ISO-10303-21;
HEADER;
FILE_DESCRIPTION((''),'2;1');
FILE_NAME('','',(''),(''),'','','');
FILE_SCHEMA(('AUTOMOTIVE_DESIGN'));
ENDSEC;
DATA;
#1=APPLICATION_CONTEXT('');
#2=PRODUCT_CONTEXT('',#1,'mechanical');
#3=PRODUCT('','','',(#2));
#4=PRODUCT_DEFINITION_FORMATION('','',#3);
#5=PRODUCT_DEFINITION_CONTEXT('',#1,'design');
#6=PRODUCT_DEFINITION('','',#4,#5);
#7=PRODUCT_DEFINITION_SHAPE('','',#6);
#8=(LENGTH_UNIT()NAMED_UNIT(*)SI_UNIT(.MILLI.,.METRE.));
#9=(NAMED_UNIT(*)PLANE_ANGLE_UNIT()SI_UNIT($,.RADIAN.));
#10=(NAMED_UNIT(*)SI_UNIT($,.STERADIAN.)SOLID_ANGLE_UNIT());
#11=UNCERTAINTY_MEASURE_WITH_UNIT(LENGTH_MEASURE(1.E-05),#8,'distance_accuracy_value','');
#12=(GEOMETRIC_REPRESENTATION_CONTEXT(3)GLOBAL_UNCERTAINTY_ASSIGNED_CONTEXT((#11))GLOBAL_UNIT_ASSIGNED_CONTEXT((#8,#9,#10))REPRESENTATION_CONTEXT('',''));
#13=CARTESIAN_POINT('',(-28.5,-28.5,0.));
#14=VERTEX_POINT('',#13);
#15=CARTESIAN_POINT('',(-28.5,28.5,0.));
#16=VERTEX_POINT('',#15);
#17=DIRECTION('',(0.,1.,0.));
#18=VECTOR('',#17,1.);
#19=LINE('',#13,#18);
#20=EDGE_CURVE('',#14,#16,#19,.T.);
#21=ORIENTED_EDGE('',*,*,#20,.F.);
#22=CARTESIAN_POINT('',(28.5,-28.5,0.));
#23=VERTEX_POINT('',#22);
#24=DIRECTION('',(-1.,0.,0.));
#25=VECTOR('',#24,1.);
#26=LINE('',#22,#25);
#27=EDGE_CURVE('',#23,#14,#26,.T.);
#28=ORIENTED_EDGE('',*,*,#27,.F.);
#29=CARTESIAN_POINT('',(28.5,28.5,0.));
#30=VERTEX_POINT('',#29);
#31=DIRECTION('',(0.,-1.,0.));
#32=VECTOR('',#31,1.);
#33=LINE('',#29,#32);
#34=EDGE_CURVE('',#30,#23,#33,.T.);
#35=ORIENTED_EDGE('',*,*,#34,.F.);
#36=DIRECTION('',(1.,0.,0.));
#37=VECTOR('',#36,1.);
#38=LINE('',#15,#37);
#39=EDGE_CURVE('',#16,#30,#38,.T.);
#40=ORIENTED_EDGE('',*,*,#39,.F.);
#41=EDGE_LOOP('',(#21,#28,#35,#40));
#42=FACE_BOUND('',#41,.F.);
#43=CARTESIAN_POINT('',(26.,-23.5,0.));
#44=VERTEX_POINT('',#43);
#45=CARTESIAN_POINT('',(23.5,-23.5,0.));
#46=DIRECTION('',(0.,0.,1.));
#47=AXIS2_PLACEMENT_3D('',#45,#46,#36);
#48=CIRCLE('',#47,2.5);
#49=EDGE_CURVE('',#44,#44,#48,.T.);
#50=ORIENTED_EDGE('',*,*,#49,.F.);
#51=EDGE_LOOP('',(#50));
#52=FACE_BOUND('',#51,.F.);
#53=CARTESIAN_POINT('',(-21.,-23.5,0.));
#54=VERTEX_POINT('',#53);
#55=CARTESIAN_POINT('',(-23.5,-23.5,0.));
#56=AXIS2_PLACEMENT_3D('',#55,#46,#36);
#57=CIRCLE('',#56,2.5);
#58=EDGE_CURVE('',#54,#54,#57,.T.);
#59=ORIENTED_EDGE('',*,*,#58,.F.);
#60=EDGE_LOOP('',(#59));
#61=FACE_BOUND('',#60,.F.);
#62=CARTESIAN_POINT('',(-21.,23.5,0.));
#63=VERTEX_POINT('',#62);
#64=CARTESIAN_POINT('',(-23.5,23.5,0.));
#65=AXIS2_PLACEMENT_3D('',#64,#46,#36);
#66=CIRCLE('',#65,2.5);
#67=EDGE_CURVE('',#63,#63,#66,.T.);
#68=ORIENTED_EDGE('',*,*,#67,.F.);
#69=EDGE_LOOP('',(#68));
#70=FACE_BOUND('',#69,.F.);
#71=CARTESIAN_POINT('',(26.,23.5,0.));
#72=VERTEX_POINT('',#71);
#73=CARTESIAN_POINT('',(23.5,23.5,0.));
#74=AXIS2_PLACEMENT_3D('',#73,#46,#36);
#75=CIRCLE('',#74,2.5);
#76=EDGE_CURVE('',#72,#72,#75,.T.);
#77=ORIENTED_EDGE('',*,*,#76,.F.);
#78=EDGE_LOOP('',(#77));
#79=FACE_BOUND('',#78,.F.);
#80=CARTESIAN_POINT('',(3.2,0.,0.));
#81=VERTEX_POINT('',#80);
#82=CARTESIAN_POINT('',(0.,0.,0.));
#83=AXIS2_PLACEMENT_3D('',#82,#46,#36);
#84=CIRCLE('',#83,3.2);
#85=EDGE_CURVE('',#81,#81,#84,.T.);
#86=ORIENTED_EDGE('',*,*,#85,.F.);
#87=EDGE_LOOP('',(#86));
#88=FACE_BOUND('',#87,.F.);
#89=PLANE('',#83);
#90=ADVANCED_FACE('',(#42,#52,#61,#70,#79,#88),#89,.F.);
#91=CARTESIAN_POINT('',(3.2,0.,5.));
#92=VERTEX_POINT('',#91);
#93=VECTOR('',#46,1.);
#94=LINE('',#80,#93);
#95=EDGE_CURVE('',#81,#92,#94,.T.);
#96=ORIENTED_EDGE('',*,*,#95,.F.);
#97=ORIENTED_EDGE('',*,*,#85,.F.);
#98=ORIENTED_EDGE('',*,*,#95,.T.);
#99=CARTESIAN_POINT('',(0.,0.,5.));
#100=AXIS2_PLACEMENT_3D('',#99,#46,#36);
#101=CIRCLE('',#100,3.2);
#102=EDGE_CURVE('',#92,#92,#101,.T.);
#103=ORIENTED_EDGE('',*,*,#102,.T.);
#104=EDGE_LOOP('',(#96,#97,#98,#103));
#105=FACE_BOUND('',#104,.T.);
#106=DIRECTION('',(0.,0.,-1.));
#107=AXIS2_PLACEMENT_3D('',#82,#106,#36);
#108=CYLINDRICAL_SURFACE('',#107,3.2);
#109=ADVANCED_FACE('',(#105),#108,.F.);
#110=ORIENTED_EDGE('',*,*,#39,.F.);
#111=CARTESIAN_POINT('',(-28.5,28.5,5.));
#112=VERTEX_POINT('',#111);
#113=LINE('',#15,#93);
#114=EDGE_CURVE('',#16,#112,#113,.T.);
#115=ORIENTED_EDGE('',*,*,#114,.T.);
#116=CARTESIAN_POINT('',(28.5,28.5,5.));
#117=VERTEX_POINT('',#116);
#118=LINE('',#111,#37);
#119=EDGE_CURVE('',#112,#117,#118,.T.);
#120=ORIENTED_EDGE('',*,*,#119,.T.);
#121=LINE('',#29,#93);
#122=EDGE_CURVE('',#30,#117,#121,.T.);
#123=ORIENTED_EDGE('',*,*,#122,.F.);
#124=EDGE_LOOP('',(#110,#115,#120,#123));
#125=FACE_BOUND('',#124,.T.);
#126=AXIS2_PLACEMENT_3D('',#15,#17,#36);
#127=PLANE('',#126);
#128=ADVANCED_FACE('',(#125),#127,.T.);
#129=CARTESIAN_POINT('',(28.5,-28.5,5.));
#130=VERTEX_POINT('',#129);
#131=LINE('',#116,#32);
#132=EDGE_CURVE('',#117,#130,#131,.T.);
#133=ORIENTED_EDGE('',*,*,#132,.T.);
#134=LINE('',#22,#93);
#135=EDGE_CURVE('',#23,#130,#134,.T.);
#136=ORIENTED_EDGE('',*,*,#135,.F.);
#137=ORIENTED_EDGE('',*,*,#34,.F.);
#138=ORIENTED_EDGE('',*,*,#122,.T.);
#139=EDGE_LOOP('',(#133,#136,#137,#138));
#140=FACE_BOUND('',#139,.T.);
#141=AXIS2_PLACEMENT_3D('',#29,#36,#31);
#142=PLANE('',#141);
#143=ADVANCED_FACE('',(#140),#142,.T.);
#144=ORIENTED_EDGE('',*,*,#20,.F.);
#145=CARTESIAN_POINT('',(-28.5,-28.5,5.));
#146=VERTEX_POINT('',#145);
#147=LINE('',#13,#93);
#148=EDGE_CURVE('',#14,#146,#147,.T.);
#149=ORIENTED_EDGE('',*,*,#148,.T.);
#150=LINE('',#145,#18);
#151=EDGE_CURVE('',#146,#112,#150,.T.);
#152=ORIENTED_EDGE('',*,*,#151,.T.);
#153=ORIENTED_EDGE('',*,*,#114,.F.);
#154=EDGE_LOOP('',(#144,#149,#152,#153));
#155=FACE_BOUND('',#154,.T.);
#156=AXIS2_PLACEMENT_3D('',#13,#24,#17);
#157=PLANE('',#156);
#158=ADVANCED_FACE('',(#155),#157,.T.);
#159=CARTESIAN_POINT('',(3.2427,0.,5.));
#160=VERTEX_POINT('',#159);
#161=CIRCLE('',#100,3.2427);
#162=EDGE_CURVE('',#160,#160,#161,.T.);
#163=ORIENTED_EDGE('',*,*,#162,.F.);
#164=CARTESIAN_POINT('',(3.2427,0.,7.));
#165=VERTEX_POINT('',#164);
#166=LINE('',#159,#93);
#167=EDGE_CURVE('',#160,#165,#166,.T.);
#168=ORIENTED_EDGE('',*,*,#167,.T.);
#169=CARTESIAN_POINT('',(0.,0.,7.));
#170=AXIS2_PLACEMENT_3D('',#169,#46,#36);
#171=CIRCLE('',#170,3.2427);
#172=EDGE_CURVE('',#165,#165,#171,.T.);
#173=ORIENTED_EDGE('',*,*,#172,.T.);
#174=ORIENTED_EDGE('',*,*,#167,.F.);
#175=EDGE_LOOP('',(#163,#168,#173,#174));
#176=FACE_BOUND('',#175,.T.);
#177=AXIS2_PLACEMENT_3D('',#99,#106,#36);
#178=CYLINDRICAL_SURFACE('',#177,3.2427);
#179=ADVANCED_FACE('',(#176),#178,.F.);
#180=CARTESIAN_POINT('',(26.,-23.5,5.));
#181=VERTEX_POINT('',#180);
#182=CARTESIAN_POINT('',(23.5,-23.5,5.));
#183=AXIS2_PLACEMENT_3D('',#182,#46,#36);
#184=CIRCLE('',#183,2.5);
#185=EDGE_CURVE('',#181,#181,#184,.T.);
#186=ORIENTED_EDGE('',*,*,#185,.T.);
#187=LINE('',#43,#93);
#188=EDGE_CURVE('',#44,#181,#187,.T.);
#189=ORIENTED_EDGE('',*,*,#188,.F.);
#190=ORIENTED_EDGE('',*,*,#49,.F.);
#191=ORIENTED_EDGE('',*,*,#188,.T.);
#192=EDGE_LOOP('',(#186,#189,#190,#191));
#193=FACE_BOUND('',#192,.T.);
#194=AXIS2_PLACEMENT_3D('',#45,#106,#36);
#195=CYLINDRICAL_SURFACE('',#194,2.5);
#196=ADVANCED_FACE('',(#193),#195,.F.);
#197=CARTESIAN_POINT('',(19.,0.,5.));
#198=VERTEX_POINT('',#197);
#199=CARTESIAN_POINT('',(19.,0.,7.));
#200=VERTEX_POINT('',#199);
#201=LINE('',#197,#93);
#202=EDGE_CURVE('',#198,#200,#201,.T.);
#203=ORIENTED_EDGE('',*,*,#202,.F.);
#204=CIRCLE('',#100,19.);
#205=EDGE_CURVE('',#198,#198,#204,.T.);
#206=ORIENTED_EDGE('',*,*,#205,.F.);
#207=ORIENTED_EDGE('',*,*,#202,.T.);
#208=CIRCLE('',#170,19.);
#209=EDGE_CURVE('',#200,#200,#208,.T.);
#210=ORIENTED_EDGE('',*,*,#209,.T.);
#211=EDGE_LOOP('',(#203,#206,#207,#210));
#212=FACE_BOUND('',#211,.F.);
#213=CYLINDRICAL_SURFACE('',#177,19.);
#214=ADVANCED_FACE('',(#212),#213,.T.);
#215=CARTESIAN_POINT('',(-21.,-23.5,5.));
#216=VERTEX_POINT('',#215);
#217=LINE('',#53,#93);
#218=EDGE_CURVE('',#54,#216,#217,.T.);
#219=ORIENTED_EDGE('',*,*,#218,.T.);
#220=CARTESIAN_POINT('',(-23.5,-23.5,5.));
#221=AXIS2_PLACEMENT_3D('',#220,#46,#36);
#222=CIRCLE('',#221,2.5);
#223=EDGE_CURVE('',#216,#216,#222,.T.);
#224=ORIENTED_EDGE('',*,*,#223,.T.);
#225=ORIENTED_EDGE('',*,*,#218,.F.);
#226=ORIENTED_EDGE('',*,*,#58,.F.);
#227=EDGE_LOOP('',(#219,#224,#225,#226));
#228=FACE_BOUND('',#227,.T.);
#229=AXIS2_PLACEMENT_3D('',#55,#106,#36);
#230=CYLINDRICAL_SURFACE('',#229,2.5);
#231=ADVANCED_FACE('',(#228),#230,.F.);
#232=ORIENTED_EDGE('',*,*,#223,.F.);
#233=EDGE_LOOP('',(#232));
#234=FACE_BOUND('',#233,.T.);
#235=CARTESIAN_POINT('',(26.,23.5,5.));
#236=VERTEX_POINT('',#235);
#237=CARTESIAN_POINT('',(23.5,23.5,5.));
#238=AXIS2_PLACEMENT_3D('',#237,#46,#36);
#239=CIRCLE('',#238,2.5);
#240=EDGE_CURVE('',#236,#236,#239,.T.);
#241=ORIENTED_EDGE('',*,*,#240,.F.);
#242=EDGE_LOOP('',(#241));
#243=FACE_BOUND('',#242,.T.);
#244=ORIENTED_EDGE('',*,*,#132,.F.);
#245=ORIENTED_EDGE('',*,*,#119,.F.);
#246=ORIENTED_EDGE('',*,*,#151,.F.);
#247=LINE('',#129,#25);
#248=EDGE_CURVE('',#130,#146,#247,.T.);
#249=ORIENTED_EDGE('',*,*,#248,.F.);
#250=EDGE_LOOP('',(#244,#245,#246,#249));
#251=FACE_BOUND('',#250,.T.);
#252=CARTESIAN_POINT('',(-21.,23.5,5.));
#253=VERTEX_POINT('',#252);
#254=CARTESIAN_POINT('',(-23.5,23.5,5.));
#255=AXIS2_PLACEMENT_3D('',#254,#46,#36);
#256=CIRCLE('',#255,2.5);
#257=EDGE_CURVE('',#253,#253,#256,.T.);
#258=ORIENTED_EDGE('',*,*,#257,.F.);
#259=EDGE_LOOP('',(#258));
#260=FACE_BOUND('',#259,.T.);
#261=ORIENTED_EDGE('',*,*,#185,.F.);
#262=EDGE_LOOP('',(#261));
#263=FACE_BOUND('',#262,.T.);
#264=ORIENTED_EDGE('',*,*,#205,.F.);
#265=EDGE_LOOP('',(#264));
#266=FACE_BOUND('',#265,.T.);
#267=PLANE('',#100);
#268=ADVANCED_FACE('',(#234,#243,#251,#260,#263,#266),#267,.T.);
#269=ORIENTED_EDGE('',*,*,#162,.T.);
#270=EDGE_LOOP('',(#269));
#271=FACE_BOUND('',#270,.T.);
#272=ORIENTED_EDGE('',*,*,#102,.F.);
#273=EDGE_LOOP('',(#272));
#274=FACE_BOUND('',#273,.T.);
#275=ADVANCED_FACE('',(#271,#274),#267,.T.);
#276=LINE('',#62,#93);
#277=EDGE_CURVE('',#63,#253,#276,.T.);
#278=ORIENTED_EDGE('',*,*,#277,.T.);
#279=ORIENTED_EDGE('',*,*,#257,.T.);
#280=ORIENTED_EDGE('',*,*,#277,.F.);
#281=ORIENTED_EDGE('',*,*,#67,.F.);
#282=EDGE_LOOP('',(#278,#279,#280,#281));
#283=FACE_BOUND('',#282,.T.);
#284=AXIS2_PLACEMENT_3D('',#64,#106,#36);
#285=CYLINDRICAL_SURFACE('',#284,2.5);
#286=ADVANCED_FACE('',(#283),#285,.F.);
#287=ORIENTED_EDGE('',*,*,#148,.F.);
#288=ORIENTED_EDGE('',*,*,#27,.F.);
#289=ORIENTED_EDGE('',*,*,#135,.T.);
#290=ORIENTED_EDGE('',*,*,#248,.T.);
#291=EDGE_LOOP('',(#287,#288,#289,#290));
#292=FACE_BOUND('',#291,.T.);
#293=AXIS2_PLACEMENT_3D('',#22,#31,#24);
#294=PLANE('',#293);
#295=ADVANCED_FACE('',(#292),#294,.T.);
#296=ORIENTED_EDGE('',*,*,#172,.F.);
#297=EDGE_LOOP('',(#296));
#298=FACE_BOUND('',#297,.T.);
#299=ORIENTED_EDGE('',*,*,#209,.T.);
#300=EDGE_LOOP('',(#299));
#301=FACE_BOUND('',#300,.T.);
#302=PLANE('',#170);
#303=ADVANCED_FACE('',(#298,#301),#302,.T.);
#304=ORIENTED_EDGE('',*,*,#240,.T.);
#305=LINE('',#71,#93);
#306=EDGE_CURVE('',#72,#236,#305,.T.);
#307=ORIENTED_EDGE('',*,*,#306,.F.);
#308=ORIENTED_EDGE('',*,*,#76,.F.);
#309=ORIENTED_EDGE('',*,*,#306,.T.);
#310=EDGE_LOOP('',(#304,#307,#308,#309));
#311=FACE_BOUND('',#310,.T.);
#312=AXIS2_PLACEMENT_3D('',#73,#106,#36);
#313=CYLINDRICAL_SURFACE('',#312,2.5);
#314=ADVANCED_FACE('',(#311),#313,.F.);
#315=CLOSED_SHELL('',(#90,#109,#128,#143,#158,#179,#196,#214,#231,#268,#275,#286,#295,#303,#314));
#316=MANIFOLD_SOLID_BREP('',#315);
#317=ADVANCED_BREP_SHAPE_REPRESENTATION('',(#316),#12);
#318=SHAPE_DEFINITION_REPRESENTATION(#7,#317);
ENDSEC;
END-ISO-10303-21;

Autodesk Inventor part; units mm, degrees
ref_plane "YZ Plane" through (0, 0, 0) normal (1, 0, 0) x (0, 1, 0)
ref_plane "XZ Plane" through (0, 0, 0) normal (0, 1, 0) x (-1, 0, 0)
ref_plane "XY Plane" through (0, 0, 0) normal (0, 0, 1) x (1, 0, 0)
sketch "Sketch1" plane through (0, 0, 0) normal (0, 0, 1) x (1, 0, 0)
  line L0 (-28.5, 28.5) -> (28.5, 28.5)
  line L1 (28.5, 28.5) -> (28.5, -28.5)
  line L2 (28.5, -28.5) -> (-28.5, -28.5)
  line L3 (-28.5, -28.5) -> (-28.5, 28.5)
  circle A0 centre (-23.5, 23.5) radius 2.5
  circle A1 centre (23.5, 23.5) radius 2.5
  circle A2 centre (-23.5, -23.5) radius 2.5
  circle A3 centre (23.5, -23.5) radius 2.5
  circle A4 centre (0, 0) radius 3.2
  dimension "d0" = 57
  dimension "d1" = 57
  dimension "d2" = 28.5
  dimension "d3" = 28.5
  dimension "d4" = 5
  dimension "d5" = 5
  dimension "d6" = 5
  dimension "d7" = 5
  dimension "d8" = 5
  dimension "d9" = 5
  dimension "d10" = 5
  dimension "d11" = 5
  dimension "d12" = 5
  dimension "d13" = 5
  dimension "d14" = 5
  dimension "d15" = 5
  dimension "d16" = 6.4
extrude "Extrusion1" add sketch "Sketch1" along normal blind 5
sketch "Sketch2" plane through (0, 0, 5) normal (0, 0, 1) x (1, 0, 0)
  circle A0 centre (0, 0) radius 19
  circle A1 centre (0, 0) radius 3.2427
  dimension "d19" = 38
extrude "Extrusion2" add sketch "Sketch2" along normal blind 2
properties part number "MotorFront"
